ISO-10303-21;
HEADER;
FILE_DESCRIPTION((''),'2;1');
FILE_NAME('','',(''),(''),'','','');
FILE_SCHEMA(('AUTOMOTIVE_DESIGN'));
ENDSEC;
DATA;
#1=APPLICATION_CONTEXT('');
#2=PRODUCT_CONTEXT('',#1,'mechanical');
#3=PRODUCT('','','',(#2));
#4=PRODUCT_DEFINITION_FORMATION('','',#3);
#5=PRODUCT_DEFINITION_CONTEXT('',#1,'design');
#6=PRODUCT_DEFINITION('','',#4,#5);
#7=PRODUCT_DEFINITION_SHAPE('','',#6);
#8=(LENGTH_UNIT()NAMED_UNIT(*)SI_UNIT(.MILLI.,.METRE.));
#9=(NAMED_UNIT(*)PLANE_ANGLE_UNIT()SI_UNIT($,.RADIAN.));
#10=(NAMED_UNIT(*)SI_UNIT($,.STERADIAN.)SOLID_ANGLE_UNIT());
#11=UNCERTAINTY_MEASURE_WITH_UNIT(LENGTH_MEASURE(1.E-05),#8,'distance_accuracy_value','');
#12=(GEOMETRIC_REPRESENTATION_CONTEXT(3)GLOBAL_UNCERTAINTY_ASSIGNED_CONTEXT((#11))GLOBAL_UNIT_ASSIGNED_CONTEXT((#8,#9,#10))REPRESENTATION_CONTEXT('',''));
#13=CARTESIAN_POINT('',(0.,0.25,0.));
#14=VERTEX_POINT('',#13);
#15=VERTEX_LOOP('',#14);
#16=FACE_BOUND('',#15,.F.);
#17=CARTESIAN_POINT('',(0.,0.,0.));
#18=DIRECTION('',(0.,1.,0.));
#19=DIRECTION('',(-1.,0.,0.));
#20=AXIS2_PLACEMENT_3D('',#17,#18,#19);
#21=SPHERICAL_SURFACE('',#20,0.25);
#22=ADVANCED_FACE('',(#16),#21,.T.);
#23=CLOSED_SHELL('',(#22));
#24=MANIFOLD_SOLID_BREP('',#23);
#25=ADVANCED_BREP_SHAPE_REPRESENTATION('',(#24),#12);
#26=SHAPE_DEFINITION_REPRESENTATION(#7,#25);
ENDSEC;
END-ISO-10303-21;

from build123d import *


with BuildPart() as part:
    # Sketch1 → Revolve1 (revolve)
    with BuildSketch(Plane.XY):
        with BuildLine():
            Line((0, 0.25), (0, -0.25))
            ThreePointArc((0, -0.25), (-0.25, 0), (0, 0.25))
        make_face()
    revolve(axis=Axis((0, 0.25, 0), (0, -1, 0)))


solid = part.part
